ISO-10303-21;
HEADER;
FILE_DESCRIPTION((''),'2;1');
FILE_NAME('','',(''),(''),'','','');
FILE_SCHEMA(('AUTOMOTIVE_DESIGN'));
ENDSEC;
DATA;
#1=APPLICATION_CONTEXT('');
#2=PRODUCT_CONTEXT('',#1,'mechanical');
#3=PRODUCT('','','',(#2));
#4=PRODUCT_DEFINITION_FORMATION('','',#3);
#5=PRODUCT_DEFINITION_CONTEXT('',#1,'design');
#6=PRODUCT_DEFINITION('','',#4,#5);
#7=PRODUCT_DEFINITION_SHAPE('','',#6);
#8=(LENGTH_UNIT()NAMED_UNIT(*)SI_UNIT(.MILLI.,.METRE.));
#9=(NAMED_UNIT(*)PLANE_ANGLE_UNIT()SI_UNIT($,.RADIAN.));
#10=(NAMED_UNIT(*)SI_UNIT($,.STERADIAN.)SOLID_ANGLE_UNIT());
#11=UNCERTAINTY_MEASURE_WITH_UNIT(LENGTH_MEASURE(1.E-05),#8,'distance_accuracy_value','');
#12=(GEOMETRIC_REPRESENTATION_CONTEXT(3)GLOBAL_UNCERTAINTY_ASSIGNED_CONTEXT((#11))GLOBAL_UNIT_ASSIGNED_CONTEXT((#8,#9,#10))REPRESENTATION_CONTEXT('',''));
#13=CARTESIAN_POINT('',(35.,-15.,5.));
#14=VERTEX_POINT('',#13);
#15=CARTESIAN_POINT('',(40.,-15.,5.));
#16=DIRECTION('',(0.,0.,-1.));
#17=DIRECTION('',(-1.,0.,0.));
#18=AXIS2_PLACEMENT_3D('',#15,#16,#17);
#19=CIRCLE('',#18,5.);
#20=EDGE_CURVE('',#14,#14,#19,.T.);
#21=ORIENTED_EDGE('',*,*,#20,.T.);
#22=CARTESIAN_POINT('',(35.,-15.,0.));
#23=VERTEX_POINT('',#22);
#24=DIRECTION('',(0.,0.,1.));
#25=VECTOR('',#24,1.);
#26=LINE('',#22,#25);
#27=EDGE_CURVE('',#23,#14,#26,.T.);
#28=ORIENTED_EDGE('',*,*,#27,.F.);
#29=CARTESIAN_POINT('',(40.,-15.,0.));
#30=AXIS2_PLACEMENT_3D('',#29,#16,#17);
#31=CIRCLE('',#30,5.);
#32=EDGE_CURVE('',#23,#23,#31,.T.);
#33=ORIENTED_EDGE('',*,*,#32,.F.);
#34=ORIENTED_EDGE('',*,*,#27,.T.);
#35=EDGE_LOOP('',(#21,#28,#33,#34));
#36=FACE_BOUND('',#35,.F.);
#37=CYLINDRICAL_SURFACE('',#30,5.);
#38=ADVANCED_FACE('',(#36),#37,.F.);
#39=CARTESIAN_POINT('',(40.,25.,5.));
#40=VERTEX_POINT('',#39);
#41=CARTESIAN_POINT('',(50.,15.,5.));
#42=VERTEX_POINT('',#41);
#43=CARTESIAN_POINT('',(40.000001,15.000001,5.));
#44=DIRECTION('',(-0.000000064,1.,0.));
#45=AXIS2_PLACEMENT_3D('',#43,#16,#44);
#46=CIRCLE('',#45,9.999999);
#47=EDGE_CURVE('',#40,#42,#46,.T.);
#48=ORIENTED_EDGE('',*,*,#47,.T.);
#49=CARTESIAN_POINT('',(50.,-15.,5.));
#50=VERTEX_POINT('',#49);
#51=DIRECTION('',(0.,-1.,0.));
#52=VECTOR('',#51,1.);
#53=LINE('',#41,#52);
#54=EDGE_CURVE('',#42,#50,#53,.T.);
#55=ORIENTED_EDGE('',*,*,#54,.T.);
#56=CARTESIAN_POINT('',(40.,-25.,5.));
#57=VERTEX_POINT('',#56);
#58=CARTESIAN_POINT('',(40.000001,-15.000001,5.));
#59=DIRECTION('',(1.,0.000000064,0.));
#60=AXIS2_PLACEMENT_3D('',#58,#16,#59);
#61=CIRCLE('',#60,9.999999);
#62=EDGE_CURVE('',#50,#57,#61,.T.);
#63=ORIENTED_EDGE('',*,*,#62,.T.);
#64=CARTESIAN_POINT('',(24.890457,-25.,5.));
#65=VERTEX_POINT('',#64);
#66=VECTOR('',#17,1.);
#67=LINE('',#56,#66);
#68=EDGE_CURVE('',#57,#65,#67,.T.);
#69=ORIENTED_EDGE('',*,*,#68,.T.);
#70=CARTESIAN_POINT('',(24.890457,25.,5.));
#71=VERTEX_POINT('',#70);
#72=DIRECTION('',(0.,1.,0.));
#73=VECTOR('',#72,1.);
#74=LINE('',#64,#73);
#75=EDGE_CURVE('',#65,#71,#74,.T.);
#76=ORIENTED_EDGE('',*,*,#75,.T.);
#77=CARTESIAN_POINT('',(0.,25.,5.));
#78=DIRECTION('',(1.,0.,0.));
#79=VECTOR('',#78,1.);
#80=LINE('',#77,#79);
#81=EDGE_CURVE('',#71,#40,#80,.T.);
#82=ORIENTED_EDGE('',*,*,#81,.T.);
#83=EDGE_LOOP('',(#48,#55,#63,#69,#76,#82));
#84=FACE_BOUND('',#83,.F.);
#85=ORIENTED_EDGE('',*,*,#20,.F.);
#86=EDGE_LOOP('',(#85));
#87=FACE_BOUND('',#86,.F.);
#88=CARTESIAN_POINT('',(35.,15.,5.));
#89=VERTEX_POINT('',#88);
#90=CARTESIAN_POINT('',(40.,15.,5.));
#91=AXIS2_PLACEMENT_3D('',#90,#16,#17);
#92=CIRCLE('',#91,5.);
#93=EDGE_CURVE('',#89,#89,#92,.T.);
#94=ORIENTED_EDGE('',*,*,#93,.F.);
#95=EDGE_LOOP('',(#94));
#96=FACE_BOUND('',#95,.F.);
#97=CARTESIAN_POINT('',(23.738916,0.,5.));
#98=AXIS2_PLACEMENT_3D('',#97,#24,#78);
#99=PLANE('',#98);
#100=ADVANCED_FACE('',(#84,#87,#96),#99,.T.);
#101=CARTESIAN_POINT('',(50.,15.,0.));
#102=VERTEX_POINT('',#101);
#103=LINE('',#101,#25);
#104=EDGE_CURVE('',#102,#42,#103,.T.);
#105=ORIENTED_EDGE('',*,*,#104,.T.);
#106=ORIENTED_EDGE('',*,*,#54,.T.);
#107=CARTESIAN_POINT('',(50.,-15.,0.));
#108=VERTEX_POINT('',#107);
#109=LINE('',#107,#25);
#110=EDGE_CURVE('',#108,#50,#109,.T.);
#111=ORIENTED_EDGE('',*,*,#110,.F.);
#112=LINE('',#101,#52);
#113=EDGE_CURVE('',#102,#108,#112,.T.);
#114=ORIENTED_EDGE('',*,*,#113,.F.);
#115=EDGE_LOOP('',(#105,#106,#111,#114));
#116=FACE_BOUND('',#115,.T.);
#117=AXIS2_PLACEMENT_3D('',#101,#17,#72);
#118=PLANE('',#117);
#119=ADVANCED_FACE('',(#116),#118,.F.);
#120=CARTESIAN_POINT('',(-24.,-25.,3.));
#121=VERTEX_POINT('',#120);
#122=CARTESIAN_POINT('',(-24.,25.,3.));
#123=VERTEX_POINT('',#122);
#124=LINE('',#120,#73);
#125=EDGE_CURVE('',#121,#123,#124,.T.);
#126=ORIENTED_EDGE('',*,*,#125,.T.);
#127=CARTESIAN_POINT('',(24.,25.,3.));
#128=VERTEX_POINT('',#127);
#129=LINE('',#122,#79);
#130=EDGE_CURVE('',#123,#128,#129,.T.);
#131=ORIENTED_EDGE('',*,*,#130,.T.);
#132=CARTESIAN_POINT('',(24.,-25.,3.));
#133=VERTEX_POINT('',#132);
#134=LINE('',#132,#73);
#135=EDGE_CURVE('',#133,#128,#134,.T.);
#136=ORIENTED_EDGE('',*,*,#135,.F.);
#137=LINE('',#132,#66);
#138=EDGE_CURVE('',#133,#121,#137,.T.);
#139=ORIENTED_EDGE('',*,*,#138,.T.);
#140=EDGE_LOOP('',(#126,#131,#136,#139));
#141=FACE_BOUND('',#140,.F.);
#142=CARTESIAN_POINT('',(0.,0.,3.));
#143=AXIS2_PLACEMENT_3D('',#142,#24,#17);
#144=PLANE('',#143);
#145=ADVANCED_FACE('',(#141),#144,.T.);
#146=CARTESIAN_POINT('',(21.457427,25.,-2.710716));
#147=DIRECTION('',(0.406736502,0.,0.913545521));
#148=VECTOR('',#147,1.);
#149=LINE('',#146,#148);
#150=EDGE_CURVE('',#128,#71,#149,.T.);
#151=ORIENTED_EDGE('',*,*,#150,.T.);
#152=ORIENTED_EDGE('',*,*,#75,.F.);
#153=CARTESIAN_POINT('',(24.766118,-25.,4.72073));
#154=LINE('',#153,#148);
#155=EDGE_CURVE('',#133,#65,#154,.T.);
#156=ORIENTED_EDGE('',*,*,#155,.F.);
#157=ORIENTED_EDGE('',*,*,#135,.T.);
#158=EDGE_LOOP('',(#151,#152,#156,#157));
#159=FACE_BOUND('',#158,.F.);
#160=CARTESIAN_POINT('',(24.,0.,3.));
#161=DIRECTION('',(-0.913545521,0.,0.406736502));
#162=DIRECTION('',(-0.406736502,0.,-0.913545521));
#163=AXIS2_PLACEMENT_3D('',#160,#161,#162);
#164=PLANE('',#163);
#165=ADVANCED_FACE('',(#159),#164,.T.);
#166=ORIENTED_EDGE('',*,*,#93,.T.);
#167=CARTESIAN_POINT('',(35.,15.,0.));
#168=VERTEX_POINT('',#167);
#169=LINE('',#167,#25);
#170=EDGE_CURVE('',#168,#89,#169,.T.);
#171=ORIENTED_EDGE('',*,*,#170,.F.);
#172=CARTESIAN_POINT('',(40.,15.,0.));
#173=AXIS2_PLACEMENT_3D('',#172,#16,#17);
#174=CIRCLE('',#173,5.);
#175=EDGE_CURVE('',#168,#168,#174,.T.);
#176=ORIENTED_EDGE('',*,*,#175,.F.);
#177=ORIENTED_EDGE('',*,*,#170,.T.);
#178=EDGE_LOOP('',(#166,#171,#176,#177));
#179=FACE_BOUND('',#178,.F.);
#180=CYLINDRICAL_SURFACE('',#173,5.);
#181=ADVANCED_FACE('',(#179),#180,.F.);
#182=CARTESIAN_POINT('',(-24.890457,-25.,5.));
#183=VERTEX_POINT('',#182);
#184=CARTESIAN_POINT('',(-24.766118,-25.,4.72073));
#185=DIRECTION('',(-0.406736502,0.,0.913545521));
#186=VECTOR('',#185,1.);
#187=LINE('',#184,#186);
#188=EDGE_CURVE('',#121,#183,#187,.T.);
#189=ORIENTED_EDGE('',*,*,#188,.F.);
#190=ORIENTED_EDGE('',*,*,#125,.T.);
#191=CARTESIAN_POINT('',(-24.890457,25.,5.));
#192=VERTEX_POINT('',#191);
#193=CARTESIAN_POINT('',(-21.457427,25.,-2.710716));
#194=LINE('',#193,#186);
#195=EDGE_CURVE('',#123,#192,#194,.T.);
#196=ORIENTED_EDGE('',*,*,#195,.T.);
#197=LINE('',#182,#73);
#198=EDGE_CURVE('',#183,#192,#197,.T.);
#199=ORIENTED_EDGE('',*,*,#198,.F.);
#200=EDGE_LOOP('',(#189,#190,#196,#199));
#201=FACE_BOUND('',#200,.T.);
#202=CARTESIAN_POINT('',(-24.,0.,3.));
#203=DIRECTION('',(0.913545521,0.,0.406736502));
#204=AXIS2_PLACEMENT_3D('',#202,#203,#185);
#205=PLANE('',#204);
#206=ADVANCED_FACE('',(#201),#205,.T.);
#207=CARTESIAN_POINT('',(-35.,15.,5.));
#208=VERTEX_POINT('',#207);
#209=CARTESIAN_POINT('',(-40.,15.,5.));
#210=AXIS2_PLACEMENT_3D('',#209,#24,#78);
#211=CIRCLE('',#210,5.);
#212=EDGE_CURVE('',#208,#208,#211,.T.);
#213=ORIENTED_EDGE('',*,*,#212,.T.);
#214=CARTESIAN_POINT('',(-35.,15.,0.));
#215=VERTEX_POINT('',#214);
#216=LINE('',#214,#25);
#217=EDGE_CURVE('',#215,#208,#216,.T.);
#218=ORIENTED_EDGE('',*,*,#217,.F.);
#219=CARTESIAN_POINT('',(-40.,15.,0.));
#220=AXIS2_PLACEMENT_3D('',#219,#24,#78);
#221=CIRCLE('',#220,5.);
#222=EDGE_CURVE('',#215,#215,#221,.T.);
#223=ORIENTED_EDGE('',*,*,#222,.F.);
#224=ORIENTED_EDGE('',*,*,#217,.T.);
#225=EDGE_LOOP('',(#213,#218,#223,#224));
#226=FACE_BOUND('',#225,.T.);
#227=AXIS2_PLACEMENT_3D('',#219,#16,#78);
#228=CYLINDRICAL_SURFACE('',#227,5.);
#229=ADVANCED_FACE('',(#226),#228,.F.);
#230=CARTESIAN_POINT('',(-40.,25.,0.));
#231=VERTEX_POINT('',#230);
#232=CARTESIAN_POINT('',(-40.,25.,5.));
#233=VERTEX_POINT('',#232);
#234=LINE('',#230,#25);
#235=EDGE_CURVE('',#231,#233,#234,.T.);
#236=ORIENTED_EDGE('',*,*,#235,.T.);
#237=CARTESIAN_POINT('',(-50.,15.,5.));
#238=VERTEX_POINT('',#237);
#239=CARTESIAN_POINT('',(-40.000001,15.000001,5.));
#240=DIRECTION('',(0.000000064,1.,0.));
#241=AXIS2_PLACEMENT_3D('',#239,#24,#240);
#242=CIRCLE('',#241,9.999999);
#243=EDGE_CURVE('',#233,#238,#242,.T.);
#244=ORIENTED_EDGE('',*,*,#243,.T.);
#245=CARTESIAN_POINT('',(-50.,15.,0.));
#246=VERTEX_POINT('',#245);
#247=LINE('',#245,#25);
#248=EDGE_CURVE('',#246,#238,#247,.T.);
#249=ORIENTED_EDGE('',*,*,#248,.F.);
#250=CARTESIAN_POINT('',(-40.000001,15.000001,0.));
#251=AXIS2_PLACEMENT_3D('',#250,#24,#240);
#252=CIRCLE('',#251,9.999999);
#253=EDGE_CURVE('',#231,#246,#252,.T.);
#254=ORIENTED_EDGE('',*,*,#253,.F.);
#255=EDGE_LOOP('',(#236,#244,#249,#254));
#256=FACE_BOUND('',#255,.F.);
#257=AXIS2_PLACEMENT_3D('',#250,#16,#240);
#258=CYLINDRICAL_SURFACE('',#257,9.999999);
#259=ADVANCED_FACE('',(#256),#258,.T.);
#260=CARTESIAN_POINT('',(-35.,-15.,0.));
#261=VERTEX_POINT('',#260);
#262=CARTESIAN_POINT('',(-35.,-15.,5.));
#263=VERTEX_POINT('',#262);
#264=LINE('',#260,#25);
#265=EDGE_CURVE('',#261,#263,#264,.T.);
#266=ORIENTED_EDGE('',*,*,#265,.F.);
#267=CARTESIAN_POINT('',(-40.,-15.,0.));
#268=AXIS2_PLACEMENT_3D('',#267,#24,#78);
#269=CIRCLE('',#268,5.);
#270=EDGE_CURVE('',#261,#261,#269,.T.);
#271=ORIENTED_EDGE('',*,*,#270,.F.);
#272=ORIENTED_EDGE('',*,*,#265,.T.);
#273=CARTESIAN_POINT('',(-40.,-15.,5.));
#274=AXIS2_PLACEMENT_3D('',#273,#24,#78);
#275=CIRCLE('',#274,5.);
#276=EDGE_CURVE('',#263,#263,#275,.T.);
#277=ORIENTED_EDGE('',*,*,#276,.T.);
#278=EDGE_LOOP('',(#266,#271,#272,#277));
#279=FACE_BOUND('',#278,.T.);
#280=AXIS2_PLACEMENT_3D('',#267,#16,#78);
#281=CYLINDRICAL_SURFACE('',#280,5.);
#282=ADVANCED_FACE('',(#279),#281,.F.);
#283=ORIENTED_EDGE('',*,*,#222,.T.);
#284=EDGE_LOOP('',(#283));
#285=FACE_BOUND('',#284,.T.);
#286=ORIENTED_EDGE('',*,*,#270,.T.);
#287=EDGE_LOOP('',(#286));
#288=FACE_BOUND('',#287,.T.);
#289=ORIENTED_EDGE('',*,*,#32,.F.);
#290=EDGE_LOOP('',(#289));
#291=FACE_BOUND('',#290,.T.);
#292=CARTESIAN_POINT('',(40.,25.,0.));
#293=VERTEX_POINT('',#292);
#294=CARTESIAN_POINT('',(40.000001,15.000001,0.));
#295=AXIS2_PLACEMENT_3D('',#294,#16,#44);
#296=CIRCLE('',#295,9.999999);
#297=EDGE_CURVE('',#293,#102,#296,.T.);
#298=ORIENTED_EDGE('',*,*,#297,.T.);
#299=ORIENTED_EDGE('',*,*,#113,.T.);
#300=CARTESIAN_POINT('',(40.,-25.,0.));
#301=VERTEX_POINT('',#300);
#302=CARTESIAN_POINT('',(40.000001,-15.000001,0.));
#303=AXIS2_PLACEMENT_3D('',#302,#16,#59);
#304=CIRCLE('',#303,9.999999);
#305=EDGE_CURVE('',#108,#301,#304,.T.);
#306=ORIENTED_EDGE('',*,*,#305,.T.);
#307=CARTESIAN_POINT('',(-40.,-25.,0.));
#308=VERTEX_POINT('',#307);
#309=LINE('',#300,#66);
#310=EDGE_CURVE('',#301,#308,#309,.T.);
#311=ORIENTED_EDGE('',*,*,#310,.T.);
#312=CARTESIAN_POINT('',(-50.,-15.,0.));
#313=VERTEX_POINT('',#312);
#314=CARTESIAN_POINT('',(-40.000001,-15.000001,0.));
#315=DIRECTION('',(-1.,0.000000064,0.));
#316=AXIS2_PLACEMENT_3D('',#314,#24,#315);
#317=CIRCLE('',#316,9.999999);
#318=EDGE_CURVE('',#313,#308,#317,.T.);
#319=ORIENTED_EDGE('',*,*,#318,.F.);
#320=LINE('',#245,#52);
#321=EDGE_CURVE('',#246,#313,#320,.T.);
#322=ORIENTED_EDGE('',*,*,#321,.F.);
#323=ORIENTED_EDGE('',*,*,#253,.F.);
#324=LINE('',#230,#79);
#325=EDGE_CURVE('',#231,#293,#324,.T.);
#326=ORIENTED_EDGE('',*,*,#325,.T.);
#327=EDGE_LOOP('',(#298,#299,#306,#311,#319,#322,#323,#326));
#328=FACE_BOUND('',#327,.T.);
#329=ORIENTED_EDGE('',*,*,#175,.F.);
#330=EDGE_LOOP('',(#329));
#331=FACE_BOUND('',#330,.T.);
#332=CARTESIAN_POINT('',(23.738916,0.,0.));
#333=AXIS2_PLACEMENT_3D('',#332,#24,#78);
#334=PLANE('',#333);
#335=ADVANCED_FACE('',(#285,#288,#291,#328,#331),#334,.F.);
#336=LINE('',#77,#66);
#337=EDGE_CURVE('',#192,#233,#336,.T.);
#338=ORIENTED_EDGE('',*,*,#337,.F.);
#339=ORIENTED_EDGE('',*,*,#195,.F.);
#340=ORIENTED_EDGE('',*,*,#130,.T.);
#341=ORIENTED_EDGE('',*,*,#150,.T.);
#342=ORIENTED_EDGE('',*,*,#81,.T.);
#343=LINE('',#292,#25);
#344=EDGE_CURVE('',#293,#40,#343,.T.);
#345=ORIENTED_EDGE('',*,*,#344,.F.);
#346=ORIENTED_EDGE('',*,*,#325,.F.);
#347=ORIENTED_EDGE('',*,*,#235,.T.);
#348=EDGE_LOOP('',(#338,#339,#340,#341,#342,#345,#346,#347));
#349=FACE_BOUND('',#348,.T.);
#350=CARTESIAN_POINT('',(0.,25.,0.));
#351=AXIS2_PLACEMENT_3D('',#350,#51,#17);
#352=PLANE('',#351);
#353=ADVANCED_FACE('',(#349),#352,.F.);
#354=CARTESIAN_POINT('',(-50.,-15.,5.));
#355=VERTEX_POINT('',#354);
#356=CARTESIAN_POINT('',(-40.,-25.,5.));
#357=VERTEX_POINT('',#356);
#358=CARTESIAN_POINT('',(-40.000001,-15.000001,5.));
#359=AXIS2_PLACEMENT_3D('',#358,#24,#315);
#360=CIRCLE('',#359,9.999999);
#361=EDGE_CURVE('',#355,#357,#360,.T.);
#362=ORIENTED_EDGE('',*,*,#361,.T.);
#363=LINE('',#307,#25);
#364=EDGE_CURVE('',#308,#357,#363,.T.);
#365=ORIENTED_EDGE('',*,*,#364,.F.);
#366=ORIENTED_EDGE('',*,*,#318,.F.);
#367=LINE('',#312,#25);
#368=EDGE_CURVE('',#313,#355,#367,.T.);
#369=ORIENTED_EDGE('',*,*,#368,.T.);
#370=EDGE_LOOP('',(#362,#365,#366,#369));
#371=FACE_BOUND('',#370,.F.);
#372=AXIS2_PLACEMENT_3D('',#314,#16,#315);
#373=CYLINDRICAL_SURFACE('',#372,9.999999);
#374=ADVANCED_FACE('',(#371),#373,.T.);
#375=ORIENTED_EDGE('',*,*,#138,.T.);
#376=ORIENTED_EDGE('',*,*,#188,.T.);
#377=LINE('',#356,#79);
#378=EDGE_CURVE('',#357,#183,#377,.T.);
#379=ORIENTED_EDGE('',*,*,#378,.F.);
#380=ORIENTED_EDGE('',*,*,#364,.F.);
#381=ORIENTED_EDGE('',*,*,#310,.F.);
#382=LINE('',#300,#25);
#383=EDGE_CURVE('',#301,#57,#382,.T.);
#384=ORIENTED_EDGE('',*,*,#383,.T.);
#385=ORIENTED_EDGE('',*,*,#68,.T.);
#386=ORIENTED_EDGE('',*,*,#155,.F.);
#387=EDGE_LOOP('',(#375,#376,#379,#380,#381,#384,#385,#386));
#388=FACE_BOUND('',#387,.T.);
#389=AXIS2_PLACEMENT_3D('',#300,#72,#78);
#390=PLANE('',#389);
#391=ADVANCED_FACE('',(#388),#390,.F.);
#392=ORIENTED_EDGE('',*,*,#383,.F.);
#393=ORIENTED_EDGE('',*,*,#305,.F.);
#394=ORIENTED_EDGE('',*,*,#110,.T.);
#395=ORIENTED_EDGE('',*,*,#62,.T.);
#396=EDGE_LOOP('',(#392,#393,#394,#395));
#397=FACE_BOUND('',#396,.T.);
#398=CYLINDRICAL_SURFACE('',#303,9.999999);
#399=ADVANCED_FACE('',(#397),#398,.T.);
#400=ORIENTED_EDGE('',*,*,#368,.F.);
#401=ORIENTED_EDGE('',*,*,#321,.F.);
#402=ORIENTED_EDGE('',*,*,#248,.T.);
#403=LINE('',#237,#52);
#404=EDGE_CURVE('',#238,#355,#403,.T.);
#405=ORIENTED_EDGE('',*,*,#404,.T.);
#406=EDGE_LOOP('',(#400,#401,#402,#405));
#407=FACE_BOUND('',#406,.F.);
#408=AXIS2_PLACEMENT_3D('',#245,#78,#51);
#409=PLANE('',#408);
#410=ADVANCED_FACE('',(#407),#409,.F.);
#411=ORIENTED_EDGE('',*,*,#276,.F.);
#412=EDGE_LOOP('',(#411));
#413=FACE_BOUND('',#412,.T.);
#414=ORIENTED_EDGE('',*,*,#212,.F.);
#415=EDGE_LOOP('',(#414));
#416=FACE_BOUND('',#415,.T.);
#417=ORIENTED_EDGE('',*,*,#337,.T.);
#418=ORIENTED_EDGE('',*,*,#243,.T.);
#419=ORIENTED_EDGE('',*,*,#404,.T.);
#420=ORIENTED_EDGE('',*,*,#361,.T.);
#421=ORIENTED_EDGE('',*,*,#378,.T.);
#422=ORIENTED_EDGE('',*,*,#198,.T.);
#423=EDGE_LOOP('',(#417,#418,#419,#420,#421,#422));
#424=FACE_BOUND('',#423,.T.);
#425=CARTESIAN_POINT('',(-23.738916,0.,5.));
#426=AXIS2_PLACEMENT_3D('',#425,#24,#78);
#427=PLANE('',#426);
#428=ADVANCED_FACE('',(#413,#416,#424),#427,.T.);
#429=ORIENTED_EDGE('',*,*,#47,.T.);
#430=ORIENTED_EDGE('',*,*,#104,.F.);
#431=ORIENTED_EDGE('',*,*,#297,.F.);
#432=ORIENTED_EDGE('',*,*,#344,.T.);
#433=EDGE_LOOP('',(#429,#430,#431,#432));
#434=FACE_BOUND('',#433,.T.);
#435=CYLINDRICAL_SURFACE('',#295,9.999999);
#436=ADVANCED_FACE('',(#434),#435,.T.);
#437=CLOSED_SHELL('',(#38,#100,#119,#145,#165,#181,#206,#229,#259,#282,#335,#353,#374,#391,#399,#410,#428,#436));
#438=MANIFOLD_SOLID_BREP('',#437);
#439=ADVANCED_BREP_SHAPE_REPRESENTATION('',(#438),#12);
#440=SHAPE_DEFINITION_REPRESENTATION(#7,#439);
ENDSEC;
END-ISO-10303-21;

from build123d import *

# Parameters (mm, degrees)
SKETCH_R          = 5
PAD_DEPTH         = 5
POCKET_DEPTH      = 25.001
POCKET_DEPTH_BACK = 25.001


with BuildPart() as part:
    # Sketch → Pad (new body)
    with BuildSketch(Plane.XY):
        with BuildLine():
            Line((-50, 15), (-50, -15))
            ThreePointArc((-50, -15), (-47.071068, -22.071068), (-40, -25))
            Line((-40, -25), (0, -25))
            Line((0, -25), (0, 25))
            Line((0, 25), (-40, 25))
            ThreePointArc((-40, 25), (-47.071068, 22.071068), (-50, 15))
        make_face()
        with Locations((-40, 15)):
            Circle(SKETCH_R, mode=Mode.SUBTRACT)
        with Locations((-40, -15)):
            Circle(SKETCH_R, mode=Mode.SUBTRACT)
    extrude(amount=PAD_DEPTH)

    # Sketch001 → Pocket (cut, two sides)
    with BuildSketch(Plane.XZ) as pocket_sk:
        Polygon((0, 3), (-24, 3), (-24.890457, 5), (0, 5), align=None)
    extrude(amount=-POCKET_DEPTH, mode=Mode.SUBTRACT)
    extrude(pocket_sk.sketch, amount=POCKET_DEPTH_BACK, mode=Mode.SUBTRACT)

    # Mirrored: part across YZ


with BuildPart() as part_1:
    add(part.part)
    add(part.part.mirror(Plane.YZ))


solid = part_1.part
